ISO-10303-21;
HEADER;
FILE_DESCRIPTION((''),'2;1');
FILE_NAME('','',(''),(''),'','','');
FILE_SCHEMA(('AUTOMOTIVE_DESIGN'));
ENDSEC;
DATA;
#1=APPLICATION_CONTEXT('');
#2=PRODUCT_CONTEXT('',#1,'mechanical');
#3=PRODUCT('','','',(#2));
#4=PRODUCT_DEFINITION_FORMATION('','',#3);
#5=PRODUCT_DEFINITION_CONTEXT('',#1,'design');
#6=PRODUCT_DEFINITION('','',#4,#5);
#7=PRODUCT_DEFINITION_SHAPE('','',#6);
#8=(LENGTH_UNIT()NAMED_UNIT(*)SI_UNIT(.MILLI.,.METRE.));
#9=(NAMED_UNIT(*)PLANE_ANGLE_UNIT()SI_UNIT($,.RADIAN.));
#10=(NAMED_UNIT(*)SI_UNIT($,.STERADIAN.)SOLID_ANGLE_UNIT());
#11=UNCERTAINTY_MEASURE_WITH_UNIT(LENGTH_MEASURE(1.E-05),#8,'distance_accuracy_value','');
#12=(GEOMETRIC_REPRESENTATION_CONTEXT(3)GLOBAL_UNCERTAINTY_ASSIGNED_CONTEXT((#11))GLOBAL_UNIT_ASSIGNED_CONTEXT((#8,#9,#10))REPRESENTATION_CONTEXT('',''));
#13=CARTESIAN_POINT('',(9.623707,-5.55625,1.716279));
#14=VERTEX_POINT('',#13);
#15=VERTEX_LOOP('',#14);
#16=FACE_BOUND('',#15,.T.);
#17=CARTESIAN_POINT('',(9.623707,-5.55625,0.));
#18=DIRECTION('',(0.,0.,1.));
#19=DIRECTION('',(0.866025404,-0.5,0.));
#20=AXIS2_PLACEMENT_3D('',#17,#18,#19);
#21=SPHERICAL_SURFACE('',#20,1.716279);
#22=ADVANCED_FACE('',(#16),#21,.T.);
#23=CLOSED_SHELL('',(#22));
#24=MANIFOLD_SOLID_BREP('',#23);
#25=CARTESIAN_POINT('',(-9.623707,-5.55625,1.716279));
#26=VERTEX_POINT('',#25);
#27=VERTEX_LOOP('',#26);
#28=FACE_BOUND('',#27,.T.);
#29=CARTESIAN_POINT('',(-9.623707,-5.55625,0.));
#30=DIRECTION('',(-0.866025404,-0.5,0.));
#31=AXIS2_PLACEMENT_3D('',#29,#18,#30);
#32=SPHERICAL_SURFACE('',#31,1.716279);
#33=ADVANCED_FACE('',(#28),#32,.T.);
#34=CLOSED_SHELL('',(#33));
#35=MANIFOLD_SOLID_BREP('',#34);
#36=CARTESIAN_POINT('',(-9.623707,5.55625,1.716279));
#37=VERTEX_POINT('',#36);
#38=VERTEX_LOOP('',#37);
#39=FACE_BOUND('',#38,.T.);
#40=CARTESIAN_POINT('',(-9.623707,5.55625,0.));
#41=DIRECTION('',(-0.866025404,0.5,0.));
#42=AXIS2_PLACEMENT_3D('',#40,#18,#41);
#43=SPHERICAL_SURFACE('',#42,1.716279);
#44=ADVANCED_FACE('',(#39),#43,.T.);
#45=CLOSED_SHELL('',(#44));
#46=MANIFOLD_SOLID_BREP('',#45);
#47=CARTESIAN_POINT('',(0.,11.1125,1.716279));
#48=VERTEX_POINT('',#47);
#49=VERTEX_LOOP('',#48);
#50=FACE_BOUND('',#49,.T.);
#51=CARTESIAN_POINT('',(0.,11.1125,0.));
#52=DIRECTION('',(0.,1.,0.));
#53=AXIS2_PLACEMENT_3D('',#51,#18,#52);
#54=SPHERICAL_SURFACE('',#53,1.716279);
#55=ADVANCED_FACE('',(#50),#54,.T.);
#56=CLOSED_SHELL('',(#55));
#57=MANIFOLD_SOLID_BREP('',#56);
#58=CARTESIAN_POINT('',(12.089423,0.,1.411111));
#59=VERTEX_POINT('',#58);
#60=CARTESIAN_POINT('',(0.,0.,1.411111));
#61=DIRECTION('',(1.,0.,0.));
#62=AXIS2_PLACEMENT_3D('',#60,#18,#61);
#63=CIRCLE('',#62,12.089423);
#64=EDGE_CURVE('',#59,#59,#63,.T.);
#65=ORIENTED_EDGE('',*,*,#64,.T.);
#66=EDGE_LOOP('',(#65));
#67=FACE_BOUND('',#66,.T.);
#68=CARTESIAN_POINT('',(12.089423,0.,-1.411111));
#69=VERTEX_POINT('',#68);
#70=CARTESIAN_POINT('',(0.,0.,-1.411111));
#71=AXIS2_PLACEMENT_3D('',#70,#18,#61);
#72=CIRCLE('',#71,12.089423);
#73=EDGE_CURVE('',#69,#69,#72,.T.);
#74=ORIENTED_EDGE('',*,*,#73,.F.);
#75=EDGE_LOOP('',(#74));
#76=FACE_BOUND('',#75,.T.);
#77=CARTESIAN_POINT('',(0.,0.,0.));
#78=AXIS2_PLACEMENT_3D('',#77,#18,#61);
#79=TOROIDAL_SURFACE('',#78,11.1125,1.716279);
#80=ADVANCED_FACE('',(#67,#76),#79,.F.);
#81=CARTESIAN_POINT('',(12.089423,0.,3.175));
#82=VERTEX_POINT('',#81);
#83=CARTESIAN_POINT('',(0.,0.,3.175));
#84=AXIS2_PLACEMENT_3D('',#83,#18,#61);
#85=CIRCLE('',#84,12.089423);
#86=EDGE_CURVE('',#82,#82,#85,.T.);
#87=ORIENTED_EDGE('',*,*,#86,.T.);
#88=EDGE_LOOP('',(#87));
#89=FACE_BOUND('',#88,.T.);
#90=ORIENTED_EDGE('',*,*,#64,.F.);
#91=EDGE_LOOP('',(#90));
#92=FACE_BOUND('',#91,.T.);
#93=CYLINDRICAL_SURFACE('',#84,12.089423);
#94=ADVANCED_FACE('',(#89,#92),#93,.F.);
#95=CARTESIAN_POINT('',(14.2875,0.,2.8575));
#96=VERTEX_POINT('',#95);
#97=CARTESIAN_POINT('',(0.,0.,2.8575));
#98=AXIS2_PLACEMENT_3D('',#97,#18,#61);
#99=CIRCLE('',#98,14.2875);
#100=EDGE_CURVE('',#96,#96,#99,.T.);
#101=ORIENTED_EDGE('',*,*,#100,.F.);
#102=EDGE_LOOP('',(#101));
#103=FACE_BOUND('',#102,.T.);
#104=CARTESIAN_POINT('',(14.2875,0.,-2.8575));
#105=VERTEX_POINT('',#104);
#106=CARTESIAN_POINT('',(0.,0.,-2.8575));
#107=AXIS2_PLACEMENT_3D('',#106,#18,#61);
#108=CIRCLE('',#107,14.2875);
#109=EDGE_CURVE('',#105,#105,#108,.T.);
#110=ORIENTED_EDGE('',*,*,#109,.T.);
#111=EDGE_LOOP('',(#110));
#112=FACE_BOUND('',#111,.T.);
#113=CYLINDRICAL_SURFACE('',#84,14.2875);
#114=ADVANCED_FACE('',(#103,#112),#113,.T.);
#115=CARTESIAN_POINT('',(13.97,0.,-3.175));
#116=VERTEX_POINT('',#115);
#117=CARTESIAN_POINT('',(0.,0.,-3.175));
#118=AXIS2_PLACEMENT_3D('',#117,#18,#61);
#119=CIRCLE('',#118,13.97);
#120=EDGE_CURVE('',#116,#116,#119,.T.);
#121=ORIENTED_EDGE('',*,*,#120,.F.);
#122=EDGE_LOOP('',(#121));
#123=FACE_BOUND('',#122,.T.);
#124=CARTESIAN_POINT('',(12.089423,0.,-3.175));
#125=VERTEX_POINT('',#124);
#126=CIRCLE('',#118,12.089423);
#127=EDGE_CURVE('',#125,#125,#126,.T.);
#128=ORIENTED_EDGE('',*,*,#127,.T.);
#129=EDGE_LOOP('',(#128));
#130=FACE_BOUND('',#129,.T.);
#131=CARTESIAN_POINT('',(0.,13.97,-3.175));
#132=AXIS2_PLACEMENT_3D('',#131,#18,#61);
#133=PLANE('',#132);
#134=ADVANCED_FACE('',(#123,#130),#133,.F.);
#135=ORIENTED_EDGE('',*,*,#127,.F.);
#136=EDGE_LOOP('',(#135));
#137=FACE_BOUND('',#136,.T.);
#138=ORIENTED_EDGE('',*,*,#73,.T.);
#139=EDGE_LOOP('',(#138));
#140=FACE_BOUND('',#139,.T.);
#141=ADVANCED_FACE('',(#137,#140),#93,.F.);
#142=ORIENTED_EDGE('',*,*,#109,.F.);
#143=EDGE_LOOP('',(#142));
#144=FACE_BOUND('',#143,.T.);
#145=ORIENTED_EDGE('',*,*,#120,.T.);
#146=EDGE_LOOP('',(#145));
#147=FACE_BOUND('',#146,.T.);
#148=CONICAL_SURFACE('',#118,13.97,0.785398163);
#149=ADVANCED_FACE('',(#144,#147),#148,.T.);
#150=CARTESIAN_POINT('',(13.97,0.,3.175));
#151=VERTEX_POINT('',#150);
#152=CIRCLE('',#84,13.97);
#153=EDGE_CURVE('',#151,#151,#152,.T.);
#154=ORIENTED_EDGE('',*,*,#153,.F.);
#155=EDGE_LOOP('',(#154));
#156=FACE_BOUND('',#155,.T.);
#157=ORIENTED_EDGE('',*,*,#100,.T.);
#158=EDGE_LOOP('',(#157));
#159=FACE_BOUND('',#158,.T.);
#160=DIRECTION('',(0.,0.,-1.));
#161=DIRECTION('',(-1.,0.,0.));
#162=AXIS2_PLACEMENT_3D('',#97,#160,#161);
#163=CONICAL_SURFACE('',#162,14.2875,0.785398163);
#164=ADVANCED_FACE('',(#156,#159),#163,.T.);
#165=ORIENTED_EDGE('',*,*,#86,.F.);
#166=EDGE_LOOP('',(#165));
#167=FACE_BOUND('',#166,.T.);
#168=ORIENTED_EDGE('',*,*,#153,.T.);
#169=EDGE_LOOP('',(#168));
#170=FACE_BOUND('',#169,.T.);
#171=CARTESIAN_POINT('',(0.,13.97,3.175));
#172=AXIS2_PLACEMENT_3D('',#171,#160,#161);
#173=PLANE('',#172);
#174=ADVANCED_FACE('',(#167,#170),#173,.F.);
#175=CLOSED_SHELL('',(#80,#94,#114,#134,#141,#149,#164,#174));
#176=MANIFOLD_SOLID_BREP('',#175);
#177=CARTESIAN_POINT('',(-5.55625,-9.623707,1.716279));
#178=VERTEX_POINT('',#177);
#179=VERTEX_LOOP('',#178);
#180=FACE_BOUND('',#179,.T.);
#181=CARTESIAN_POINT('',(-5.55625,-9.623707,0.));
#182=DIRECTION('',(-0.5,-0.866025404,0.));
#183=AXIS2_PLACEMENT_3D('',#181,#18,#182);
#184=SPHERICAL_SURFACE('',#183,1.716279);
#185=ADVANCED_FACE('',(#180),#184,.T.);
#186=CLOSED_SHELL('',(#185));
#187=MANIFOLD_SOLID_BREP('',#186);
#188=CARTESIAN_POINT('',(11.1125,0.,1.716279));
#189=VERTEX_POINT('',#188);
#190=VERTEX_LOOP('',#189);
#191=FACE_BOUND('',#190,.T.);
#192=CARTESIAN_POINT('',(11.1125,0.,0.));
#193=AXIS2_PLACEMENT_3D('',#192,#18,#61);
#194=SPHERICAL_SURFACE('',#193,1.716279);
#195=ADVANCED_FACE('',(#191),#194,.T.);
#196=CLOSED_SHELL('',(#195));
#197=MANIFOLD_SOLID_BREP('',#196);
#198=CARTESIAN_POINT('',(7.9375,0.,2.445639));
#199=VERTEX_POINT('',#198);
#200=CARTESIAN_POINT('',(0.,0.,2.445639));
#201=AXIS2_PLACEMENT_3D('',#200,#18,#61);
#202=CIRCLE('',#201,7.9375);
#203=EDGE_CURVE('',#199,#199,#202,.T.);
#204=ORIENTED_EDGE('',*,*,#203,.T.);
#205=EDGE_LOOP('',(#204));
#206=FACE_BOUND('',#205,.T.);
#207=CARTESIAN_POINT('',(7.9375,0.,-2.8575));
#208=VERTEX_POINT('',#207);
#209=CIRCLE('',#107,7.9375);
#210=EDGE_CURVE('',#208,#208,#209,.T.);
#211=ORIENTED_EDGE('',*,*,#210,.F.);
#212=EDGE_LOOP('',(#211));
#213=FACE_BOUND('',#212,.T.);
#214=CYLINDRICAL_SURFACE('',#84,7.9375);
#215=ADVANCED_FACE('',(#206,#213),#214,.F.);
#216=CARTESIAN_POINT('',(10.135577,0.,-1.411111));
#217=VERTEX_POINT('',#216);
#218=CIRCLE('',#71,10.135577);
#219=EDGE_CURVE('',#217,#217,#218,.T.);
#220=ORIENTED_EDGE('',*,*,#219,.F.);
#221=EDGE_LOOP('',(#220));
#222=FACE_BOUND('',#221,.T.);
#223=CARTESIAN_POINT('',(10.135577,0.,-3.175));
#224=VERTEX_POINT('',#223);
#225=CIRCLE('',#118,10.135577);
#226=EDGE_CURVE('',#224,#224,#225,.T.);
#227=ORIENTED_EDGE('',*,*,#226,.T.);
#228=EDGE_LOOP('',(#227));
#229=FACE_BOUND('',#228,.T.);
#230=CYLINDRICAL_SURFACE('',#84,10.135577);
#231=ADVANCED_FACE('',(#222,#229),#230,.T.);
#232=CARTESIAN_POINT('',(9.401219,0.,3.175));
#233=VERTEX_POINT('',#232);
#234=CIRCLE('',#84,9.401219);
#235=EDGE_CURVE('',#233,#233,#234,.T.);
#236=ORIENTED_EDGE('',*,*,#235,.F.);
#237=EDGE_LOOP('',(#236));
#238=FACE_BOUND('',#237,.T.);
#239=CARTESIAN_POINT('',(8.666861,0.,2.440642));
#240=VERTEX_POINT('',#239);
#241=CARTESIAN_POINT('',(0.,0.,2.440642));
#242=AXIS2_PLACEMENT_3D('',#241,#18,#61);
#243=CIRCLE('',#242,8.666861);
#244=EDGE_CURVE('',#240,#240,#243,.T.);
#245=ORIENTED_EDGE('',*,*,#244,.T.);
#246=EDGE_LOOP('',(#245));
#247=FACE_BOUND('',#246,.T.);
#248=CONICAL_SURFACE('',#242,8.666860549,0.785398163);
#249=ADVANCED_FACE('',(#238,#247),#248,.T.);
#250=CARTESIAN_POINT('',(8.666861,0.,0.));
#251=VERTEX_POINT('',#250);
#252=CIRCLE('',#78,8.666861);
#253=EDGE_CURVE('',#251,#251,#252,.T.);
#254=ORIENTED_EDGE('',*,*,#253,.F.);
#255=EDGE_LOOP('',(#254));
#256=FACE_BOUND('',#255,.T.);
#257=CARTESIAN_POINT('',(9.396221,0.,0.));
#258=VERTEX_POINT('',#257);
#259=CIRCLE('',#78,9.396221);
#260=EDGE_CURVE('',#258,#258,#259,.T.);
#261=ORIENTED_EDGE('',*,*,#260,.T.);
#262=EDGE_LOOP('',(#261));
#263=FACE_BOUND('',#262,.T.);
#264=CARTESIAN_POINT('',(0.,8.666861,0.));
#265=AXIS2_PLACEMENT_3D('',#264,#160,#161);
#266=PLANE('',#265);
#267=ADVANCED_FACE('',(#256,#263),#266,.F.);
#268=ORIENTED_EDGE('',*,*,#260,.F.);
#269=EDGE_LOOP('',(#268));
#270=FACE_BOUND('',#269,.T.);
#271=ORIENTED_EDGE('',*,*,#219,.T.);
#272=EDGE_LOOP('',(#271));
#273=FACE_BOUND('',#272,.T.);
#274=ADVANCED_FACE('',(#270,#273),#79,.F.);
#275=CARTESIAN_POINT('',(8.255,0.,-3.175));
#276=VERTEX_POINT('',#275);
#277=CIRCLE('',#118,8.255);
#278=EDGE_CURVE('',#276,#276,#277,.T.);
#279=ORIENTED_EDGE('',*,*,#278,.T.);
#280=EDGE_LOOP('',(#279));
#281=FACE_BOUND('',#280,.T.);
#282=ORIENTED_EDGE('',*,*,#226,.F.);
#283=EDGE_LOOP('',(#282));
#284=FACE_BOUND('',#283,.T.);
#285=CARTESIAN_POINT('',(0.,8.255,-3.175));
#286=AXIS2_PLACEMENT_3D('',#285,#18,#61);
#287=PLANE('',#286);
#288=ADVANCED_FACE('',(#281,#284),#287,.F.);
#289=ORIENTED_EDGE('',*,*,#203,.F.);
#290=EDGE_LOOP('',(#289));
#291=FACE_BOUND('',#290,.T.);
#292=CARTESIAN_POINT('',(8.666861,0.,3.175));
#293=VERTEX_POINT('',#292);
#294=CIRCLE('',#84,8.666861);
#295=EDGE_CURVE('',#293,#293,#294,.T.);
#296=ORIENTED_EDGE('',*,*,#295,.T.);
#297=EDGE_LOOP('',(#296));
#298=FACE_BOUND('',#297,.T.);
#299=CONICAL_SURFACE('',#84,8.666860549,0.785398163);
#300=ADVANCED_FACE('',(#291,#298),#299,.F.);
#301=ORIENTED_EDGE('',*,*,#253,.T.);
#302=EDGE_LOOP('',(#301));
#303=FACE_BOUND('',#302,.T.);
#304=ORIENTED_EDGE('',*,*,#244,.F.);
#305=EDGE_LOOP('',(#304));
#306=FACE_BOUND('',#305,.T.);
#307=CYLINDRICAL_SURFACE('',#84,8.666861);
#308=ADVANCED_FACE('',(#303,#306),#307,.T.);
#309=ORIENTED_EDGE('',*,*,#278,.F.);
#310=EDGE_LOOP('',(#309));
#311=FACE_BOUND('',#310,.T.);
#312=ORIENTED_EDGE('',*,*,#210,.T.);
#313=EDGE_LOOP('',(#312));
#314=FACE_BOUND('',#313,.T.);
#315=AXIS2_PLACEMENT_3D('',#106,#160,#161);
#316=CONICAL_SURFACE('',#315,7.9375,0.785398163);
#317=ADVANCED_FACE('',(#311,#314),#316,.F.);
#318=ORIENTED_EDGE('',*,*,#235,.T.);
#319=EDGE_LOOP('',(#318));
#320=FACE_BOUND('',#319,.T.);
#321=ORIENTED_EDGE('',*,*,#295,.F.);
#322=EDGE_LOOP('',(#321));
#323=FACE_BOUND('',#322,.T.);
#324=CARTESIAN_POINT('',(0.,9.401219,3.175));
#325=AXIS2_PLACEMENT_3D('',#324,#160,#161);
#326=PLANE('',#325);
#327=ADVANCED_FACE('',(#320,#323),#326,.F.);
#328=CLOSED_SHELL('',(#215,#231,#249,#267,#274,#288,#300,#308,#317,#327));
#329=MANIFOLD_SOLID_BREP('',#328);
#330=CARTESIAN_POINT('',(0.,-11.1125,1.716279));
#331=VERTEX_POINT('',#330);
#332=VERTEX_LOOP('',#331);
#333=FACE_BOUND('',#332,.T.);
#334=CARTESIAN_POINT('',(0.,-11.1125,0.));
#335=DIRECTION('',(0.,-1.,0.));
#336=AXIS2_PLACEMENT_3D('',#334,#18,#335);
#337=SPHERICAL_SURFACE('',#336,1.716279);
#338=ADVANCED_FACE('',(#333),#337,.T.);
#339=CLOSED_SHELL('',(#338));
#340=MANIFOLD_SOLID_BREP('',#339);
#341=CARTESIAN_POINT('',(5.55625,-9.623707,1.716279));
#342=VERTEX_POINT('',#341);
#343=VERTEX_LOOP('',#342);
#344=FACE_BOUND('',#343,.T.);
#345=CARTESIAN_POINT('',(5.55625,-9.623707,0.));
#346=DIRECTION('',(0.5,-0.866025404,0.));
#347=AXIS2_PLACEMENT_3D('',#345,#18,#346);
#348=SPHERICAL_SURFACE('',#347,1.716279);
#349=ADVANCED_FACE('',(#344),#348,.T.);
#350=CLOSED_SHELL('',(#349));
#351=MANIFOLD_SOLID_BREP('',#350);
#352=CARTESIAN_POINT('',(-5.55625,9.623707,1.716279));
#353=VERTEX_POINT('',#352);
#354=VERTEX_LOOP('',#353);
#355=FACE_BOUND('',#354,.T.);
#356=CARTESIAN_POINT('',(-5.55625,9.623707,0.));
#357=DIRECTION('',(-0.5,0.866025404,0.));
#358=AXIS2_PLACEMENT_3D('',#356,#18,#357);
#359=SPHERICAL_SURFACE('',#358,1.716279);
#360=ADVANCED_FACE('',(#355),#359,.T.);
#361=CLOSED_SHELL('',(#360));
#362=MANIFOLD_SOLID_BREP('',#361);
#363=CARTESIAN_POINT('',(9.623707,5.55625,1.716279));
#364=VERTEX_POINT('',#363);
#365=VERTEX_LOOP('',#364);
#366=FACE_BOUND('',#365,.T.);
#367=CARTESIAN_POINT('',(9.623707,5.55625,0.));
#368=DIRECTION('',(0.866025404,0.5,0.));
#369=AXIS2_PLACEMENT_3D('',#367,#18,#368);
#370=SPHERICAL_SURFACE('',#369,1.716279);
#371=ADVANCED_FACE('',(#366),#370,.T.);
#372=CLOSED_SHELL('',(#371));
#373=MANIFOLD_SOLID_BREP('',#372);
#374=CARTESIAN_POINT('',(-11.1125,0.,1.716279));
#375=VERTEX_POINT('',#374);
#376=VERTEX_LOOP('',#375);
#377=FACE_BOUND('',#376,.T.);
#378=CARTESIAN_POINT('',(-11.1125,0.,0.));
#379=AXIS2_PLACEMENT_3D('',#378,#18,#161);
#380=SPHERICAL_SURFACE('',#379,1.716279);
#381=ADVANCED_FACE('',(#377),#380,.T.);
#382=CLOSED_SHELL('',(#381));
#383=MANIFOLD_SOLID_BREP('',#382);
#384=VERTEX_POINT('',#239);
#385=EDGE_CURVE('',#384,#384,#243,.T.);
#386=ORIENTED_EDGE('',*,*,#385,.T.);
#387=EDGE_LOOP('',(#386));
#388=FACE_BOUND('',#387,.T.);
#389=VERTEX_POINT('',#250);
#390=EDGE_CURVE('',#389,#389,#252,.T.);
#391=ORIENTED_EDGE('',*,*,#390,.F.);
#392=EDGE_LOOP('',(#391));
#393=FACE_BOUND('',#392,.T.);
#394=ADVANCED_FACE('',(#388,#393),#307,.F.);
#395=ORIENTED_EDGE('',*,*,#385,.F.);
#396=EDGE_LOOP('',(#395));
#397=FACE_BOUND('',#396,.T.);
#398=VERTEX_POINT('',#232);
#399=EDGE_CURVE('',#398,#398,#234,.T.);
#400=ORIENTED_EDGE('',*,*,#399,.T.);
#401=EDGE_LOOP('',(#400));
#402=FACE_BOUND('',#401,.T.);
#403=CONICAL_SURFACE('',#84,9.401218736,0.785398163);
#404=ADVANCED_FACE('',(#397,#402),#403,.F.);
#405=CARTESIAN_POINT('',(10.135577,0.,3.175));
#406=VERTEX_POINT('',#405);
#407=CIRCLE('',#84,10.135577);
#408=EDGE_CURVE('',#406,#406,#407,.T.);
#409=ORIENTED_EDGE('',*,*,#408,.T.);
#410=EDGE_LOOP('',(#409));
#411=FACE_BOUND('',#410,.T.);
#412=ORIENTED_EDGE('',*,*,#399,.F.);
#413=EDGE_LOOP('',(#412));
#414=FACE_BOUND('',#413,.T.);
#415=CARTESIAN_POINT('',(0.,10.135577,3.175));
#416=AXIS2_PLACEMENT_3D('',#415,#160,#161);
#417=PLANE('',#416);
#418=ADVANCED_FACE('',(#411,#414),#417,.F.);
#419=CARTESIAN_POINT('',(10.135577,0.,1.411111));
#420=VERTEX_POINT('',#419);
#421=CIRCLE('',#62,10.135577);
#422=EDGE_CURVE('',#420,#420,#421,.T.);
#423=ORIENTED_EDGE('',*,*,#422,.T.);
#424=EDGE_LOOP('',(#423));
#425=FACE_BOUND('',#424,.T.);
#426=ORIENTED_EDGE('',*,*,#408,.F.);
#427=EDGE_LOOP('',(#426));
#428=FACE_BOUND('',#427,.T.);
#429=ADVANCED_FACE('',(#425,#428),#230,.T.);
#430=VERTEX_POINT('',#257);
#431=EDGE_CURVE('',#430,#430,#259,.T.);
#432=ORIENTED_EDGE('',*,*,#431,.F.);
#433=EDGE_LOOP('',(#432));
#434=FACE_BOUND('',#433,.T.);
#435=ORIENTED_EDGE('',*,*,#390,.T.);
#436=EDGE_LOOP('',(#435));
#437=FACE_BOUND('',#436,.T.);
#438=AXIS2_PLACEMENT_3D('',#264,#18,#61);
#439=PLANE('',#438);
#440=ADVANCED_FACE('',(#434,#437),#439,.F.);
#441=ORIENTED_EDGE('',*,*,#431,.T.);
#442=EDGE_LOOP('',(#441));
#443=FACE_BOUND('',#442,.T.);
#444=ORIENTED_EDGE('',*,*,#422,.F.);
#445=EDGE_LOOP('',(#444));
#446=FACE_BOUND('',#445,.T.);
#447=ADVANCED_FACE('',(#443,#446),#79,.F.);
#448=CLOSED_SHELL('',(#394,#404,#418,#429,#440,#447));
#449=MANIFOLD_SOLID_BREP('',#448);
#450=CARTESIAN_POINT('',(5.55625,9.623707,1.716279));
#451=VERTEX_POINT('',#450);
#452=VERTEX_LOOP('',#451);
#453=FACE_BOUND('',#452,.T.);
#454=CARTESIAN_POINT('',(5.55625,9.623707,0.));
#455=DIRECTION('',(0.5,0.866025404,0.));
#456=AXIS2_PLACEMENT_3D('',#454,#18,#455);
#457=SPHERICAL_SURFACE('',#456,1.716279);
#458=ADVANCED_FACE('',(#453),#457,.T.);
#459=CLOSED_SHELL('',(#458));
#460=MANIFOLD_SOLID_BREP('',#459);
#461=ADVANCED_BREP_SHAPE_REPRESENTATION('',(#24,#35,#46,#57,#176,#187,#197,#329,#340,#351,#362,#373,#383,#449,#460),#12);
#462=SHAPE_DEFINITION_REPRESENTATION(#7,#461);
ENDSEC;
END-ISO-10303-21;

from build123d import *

# Parameters (mm, degrees)
CIRPATTERN1_COUNT = 12


with BuildPart() as part:
    # Sketch1 → Revolve1 (revolve)
    with BuildSketch(Plane(origin=(0, 0, 0), x_dir=(0, 0, -1), z_dir=(1, 0, 0))):
        with BuildLine():
            Line((2.8575, 14.2875), (-2.8575, 14.2875))
            Line((-2.8575, 14.2875), (-3.175, 13.97))
            Line((-3.175, 13.97), (-3.175, 12.089423077))
            Line((-3.175, 12.089423077), (-1.411111111, 12.089423077))
            ThreePointArc((-1.411111111, 12.089423077), (0, 12.828778901), (1.411111111, 12.089423077))
            Line((1.411111111, 12.089423077), (3.175, 12.089423077))
            Line((3.175, 12.089423077), (3.175, 13.97))
            Line((3.175, 13.97), (2.8575, 14.2875))
        make_face()
    revolve(axis=Axis((0, 0, 3.175), (0, 0, -1)))


with BuildPart() as body_2:
    # Sketch2 → Revolve2 (revolve)
    with BuildSketch(Plane(origin=(0, 0, 0), x_dir=(0, 0, -1), z_dir=(1, 0, 0))):
        with BuildLine():
            Line((-3.175, 10.135576923), (-1.411111111, 10.135576923))
            ThreePointArc((-1.411111111, 10.135576923), (-0.796536503, 9.592255656), (0, 9.396221099))
            Line((0, 9.396221099), (0, 8.666860549))
            Line((0, 8.666860549), (-2.440641813, 8.666860549))
            Line((-2.440641813, 8.666860549), (-3.175, 9.401218736))
            Line((-3.175, 9.401218736), (-3.175, 10.135576923))
        make_face()
    revolve(axis=Axis((0, 0, 3.175), (0, 0, -1)))


with BuildPart() as body_3:
    # Sketch3 → Revolve3 (revolve)
    with BuildSketch(Plane(origin=(0, 0, 0), x_dir=(0, 0, -1), z_dir=(1, 0, 0))):
        with BuildLine():
            Line((-3.175, 9.401218736), (-2.440641813, 8.666860549))
            Line((-2.440641813, 8.666860549), (0, 8.666860549))
            Line((0, 8.666860549), (0, 9.396221099))
            ThreePointArc((0, 9.396221099), (0.796536503, 9.592255656), (1.411111111, 10.135576923))
            Line((1.411111111, 10.135576923), (3.175, 10.135576923))
            Line((3.175, 10.135576923), (3.175, 8.255))
            Line((3.175, 8.255), (2.8575, 7.9375))
            Line((2.8575, 7.9375), (-2.445639451, 7.9375))
            Line((-2.445639451, 7.9375), (-3.175, 8.666860549))
            Line((-3.175, 8.666860549), (-3.175, 9.401218736))
        make_face()
    revolve(axis=Axis((0, 0, 3.175), (0, 0, -1)))


with BuildPart() as body_4:
    # Sketch4 → Revolve4 (revolve)
    with BuildSketch(Plane(origin=(0, 0, 0), x_dir=(0, 0, -1), z_dir=(1, 0, 0))):
        with BuildLine():
            Line((-1.716278901, 11.1125), (1.716278901, 11.1125))
            ThreePointArc((1.716278901, 11.1125), (0, 12.828778901), (-1.716278901, 11.1125))
        make_face()
    revolve(axis=Axis((0, 11.1125, 1.716278901), (0, 0, -1)))


with BuildPart() as cirpattern1_1:
    # CirPattern1: pattern copy
    add(body_4.part.rotate(Axis((0, 0, -3.175), (0, 0, 1)), 1 * 360 / CIRPATTERN1_COUNT))


with BuildPart() as cirpattern1_2:
    # CirPattern1: pattern copy
    add(body_4.part.rotate(Axis((0, 0, -3.175), (0, 0, 1)), 2 * 360 / CIRPATTERN1_COUNT))


with BuildPart() as cirpattern1_3:
    # CirPattern1: pattern copy
    add(body_4.part.rotate(Axis((0, 0, -3.175), (0, 0, 1)), 3 * 360 / CIRPATTERN1_COUNT))


with BuildPart() as cirpattern1_4:
    # CirPattern1: pattern copy
    add(body_4.part.rotate(Axis((0, 0, -3.175), (0, 0, 1)), 4 * 360 / CIRPATTERN1_COUNT))


with BuildPart() as cirpattern1_5:
    # CirPattern1: pattern copy
    add(body_4.part.rotate(Axis((0, 0, -3.175), (0, 0, 1)), 5 * 360 / CIRPATTERN1_COUNT))


with BuildPart() as cirpattern1_6:
    # CirPattern1: pattern copy
    add(body_4.part.rotate(Axis((0, 0, -3.175), (0, 0, 1)), 6 * 360 / CIRPATTERN1_COUNT))


with BuildPart() as cirpattern1_7:
    # CirPattern1: pattern copy
    add(body_4.part.rotate(Axis((0, 0, -3.175), (0, 0, 1)), 7 * 360 / CIRPATTERN1_COUNT))


with BuildPart() as cirpattern1_8:
    # CirPattern1: pattern copy
    add(body_4.part.rotate(Axis((0, 0, -3.175), (0, 0, 1)), 8 * 360 / CIRPATTERN1_COUNT))


with BuildPart() as cirpattern1_9:
    # CirPattern1: pattern copy
    add(body_4.part.rotate(Axis((0, 0, -3.175), (0, 0, 1)), 9 * 360 / CIRPATTERN1_COUNT))


with BuildPart() as cirpattern1_10:
    # CirPattern1: pattern copy
    add(body_4.part.rotate(Axis((0, 0, -3.175), (0, 0, 1)), 10 * 360 / CIRPATTERN1_COUNT))


with BuildPart() as cirpattern1_11:
    # CirPattern1: pattern copy
    add(body_4.part.rotate(Axis((0, 0, -3.175), (0, 0, 1)), 11 * 360 / CIRPATTERN1_COUNT))


solid = Compound([part.part, body_2.part, body_3.part, body_4.part, cirpattern1_1.part, cirpattern1_2.part, cirpattern1_3.part, cirpattern1_4.part, cirpattern1_5.part, cirpattern1_6.part, cirpattern1_7.part, cirpattern1_8.part, cirpattern1_9.part, cirpattern1_10.part, cirpattern1_11.part])
